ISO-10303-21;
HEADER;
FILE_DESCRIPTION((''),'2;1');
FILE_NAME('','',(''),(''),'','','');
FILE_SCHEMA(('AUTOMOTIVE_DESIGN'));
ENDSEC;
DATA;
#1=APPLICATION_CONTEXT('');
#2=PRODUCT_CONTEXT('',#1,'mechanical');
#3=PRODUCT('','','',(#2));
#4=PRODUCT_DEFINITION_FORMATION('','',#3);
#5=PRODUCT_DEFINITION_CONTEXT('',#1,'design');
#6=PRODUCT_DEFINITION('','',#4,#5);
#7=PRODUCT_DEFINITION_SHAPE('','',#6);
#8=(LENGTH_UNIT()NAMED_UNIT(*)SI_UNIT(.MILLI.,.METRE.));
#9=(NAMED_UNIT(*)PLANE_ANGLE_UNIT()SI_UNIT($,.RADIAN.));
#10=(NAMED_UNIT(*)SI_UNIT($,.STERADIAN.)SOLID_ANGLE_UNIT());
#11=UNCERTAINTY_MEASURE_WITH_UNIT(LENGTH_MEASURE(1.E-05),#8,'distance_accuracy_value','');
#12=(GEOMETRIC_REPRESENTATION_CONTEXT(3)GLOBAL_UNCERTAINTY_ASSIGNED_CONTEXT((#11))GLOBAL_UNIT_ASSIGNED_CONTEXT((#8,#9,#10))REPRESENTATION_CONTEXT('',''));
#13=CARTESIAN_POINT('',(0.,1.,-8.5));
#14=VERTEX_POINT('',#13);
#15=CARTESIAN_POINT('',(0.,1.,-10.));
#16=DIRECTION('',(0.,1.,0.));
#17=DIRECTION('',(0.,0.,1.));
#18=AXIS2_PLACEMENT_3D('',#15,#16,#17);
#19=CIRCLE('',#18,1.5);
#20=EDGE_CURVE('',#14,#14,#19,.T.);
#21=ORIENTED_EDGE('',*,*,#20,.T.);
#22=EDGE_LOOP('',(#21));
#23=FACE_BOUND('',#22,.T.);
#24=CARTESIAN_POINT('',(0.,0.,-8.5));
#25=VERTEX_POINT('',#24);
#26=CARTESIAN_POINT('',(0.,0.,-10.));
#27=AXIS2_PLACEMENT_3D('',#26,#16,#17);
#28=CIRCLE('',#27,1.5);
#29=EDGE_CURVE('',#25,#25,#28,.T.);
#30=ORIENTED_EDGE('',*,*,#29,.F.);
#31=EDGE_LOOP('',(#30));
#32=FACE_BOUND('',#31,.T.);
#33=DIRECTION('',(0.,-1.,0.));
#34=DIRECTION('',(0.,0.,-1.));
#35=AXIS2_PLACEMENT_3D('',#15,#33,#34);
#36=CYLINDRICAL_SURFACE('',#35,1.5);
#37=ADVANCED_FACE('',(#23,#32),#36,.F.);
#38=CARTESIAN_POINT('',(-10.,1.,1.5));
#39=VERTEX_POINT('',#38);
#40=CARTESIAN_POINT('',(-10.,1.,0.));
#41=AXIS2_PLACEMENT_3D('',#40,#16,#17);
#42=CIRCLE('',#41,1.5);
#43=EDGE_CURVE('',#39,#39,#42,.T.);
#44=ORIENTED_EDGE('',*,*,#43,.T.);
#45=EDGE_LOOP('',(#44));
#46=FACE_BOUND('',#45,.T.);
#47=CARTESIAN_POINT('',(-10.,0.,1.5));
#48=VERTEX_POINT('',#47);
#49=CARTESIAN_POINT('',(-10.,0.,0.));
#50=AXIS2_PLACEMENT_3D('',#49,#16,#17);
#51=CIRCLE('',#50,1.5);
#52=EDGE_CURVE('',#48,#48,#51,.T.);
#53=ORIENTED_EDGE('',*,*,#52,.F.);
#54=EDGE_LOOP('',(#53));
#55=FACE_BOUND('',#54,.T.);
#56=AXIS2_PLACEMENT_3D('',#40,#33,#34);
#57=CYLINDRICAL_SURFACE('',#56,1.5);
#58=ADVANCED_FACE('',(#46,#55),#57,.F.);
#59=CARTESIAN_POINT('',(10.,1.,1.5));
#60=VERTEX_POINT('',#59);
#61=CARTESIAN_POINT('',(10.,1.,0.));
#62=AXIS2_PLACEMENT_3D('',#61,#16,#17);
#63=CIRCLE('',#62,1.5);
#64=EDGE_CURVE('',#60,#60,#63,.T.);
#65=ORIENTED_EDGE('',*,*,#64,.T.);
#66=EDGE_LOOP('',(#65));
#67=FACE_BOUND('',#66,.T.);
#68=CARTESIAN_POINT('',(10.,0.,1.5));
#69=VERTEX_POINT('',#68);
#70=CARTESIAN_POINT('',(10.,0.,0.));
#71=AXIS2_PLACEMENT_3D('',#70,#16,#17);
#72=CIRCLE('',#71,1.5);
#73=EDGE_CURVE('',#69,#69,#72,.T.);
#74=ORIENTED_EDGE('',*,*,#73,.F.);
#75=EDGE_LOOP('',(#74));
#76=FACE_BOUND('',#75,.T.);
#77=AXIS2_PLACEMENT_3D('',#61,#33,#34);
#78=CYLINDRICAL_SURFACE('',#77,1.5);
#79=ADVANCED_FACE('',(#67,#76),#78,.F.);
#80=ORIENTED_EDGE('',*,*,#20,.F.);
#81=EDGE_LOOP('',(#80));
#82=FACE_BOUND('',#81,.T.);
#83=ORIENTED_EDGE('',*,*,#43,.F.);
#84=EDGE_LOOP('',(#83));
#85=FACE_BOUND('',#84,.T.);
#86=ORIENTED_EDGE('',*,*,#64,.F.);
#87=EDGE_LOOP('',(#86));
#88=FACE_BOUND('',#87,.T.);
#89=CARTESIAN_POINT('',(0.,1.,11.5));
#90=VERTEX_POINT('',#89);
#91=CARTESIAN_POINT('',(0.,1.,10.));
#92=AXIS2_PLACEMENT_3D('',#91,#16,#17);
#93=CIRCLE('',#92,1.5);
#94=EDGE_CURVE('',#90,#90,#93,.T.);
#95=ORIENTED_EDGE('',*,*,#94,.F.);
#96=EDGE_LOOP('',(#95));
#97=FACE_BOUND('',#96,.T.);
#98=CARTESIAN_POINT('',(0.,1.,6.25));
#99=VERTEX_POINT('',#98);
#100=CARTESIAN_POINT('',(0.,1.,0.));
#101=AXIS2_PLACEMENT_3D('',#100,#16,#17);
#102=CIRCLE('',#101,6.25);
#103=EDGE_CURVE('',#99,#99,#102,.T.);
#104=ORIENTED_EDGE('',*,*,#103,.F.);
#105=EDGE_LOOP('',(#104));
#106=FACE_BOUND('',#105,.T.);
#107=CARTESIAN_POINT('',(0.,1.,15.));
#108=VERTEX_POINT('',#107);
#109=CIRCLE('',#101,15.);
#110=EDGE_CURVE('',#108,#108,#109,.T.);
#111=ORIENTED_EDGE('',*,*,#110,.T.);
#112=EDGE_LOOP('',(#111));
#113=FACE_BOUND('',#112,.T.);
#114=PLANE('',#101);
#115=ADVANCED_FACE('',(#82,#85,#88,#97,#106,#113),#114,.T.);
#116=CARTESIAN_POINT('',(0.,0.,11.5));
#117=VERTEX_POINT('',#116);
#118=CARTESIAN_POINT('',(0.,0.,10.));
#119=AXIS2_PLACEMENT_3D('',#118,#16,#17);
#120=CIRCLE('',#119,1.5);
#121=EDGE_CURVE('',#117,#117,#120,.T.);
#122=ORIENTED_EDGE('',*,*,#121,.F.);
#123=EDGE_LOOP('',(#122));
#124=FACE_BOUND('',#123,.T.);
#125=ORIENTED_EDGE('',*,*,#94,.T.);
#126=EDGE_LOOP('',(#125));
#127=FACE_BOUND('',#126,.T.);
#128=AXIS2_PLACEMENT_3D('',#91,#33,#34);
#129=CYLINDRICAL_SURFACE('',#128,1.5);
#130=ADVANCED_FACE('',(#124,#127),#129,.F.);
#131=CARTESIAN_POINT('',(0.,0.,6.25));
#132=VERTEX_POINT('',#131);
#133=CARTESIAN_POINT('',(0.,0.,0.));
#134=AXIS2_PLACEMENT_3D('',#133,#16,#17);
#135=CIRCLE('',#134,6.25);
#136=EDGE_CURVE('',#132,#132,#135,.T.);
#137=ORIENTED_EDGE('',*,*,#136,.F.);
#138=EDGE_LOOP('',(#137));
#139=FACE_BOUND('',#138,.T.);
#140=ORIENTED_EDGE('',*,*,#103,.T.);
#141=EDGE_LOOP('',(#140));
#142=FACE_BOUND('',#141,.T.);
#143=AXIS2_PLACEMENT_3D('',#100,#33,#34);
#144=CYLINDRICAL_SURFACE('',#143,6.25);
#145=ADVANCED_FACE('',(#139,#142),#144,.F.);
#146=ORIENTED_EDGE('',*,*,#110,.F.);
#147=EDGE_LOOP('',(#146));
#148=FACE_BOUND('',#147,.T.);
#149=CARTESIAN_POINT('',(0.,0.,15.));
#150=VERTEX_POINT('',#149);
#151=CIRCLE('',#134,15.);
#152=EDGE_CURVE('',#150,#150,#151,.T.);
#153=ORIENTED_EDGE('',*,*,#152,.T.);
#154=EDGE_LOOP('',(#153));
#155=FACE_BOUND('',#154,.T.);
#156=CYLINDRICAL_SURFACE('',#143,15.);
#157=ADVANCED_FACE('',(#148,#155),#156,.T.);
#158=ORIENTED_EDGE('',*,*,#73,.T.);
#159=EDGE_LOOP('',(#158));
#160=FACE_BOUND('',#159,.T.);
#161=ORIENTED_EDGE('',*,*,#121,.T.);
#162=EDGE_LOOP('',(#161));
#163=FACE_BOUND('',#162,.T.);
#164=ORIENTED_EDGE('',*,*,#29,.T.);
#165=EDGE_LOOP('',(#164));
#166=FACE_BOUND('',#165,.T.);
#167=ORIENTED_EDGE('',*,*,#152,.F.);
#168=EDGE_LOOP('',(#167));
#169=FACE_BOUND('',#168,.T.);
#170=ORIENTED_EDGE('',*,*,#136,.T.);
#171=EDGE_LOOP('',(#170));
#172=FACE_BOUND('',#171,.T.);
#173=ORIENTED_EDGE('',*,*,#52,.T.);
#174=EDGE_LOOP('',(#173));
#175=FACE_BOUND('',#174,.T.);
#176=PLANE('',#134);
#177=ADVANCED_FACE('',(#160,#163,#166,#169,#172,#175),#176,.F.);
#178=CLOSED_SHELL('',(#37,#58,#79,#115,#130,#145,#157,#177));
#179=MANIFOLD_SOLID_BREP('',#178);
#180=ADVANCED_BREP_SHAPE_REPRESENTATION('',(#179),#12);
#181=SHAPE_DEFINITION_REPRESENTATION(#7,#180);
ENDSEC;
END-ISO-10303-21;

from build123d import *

# Parameters (mm, degrees)
SKETCH_1_R      = 15
SKETCH_1_R_2    = 6.25
SKETCH_1_R_3    = 1.5
EXTRUDE_1_DEPTH = 1


with BuildPart() as part:
    # 草图1 → 凸台-拉伸1 (new body)
    with BuildSketch(Plane(origin=(0, 0, 0), x_dir=(1, 0, 0), z_dir=(0, 1, 0))):
        with Locations(Location((0, 0, 0), (0, 0, 270))):
            Circle(SKETCH_1_R)
        with Locations(Location((0, 0, 0), (0, 0, 270))):
            Circle(SKETCH_1_R_2, mode=Mode.SUBTRACT)
        with Locations(Location((0, 10, 0), (0, 0, 270))):
            Circle(SKETCH_1_R_3, mode=Mode.SUBTRACT)
        with Locations(Location((10, 0, 0), (0, 0, 270))):
            Circle(SKETCH_1_R_3, mode=Mode.SUBTRACT)
        with Locations(Location((0, -10, 0), (0, 0, 270))):
            Circle(SKETCH_1_R_3, mode=Mode.SUBTRACT)
        with Locations(Location((-10, 0, 0), (0, 0, 270))):
            Circle(SKETCH_1_R_3, mode=Mode.SUBTRACT)
    extrude(amount=EXTRUDE_1_DEPTH)


solid = part.part
